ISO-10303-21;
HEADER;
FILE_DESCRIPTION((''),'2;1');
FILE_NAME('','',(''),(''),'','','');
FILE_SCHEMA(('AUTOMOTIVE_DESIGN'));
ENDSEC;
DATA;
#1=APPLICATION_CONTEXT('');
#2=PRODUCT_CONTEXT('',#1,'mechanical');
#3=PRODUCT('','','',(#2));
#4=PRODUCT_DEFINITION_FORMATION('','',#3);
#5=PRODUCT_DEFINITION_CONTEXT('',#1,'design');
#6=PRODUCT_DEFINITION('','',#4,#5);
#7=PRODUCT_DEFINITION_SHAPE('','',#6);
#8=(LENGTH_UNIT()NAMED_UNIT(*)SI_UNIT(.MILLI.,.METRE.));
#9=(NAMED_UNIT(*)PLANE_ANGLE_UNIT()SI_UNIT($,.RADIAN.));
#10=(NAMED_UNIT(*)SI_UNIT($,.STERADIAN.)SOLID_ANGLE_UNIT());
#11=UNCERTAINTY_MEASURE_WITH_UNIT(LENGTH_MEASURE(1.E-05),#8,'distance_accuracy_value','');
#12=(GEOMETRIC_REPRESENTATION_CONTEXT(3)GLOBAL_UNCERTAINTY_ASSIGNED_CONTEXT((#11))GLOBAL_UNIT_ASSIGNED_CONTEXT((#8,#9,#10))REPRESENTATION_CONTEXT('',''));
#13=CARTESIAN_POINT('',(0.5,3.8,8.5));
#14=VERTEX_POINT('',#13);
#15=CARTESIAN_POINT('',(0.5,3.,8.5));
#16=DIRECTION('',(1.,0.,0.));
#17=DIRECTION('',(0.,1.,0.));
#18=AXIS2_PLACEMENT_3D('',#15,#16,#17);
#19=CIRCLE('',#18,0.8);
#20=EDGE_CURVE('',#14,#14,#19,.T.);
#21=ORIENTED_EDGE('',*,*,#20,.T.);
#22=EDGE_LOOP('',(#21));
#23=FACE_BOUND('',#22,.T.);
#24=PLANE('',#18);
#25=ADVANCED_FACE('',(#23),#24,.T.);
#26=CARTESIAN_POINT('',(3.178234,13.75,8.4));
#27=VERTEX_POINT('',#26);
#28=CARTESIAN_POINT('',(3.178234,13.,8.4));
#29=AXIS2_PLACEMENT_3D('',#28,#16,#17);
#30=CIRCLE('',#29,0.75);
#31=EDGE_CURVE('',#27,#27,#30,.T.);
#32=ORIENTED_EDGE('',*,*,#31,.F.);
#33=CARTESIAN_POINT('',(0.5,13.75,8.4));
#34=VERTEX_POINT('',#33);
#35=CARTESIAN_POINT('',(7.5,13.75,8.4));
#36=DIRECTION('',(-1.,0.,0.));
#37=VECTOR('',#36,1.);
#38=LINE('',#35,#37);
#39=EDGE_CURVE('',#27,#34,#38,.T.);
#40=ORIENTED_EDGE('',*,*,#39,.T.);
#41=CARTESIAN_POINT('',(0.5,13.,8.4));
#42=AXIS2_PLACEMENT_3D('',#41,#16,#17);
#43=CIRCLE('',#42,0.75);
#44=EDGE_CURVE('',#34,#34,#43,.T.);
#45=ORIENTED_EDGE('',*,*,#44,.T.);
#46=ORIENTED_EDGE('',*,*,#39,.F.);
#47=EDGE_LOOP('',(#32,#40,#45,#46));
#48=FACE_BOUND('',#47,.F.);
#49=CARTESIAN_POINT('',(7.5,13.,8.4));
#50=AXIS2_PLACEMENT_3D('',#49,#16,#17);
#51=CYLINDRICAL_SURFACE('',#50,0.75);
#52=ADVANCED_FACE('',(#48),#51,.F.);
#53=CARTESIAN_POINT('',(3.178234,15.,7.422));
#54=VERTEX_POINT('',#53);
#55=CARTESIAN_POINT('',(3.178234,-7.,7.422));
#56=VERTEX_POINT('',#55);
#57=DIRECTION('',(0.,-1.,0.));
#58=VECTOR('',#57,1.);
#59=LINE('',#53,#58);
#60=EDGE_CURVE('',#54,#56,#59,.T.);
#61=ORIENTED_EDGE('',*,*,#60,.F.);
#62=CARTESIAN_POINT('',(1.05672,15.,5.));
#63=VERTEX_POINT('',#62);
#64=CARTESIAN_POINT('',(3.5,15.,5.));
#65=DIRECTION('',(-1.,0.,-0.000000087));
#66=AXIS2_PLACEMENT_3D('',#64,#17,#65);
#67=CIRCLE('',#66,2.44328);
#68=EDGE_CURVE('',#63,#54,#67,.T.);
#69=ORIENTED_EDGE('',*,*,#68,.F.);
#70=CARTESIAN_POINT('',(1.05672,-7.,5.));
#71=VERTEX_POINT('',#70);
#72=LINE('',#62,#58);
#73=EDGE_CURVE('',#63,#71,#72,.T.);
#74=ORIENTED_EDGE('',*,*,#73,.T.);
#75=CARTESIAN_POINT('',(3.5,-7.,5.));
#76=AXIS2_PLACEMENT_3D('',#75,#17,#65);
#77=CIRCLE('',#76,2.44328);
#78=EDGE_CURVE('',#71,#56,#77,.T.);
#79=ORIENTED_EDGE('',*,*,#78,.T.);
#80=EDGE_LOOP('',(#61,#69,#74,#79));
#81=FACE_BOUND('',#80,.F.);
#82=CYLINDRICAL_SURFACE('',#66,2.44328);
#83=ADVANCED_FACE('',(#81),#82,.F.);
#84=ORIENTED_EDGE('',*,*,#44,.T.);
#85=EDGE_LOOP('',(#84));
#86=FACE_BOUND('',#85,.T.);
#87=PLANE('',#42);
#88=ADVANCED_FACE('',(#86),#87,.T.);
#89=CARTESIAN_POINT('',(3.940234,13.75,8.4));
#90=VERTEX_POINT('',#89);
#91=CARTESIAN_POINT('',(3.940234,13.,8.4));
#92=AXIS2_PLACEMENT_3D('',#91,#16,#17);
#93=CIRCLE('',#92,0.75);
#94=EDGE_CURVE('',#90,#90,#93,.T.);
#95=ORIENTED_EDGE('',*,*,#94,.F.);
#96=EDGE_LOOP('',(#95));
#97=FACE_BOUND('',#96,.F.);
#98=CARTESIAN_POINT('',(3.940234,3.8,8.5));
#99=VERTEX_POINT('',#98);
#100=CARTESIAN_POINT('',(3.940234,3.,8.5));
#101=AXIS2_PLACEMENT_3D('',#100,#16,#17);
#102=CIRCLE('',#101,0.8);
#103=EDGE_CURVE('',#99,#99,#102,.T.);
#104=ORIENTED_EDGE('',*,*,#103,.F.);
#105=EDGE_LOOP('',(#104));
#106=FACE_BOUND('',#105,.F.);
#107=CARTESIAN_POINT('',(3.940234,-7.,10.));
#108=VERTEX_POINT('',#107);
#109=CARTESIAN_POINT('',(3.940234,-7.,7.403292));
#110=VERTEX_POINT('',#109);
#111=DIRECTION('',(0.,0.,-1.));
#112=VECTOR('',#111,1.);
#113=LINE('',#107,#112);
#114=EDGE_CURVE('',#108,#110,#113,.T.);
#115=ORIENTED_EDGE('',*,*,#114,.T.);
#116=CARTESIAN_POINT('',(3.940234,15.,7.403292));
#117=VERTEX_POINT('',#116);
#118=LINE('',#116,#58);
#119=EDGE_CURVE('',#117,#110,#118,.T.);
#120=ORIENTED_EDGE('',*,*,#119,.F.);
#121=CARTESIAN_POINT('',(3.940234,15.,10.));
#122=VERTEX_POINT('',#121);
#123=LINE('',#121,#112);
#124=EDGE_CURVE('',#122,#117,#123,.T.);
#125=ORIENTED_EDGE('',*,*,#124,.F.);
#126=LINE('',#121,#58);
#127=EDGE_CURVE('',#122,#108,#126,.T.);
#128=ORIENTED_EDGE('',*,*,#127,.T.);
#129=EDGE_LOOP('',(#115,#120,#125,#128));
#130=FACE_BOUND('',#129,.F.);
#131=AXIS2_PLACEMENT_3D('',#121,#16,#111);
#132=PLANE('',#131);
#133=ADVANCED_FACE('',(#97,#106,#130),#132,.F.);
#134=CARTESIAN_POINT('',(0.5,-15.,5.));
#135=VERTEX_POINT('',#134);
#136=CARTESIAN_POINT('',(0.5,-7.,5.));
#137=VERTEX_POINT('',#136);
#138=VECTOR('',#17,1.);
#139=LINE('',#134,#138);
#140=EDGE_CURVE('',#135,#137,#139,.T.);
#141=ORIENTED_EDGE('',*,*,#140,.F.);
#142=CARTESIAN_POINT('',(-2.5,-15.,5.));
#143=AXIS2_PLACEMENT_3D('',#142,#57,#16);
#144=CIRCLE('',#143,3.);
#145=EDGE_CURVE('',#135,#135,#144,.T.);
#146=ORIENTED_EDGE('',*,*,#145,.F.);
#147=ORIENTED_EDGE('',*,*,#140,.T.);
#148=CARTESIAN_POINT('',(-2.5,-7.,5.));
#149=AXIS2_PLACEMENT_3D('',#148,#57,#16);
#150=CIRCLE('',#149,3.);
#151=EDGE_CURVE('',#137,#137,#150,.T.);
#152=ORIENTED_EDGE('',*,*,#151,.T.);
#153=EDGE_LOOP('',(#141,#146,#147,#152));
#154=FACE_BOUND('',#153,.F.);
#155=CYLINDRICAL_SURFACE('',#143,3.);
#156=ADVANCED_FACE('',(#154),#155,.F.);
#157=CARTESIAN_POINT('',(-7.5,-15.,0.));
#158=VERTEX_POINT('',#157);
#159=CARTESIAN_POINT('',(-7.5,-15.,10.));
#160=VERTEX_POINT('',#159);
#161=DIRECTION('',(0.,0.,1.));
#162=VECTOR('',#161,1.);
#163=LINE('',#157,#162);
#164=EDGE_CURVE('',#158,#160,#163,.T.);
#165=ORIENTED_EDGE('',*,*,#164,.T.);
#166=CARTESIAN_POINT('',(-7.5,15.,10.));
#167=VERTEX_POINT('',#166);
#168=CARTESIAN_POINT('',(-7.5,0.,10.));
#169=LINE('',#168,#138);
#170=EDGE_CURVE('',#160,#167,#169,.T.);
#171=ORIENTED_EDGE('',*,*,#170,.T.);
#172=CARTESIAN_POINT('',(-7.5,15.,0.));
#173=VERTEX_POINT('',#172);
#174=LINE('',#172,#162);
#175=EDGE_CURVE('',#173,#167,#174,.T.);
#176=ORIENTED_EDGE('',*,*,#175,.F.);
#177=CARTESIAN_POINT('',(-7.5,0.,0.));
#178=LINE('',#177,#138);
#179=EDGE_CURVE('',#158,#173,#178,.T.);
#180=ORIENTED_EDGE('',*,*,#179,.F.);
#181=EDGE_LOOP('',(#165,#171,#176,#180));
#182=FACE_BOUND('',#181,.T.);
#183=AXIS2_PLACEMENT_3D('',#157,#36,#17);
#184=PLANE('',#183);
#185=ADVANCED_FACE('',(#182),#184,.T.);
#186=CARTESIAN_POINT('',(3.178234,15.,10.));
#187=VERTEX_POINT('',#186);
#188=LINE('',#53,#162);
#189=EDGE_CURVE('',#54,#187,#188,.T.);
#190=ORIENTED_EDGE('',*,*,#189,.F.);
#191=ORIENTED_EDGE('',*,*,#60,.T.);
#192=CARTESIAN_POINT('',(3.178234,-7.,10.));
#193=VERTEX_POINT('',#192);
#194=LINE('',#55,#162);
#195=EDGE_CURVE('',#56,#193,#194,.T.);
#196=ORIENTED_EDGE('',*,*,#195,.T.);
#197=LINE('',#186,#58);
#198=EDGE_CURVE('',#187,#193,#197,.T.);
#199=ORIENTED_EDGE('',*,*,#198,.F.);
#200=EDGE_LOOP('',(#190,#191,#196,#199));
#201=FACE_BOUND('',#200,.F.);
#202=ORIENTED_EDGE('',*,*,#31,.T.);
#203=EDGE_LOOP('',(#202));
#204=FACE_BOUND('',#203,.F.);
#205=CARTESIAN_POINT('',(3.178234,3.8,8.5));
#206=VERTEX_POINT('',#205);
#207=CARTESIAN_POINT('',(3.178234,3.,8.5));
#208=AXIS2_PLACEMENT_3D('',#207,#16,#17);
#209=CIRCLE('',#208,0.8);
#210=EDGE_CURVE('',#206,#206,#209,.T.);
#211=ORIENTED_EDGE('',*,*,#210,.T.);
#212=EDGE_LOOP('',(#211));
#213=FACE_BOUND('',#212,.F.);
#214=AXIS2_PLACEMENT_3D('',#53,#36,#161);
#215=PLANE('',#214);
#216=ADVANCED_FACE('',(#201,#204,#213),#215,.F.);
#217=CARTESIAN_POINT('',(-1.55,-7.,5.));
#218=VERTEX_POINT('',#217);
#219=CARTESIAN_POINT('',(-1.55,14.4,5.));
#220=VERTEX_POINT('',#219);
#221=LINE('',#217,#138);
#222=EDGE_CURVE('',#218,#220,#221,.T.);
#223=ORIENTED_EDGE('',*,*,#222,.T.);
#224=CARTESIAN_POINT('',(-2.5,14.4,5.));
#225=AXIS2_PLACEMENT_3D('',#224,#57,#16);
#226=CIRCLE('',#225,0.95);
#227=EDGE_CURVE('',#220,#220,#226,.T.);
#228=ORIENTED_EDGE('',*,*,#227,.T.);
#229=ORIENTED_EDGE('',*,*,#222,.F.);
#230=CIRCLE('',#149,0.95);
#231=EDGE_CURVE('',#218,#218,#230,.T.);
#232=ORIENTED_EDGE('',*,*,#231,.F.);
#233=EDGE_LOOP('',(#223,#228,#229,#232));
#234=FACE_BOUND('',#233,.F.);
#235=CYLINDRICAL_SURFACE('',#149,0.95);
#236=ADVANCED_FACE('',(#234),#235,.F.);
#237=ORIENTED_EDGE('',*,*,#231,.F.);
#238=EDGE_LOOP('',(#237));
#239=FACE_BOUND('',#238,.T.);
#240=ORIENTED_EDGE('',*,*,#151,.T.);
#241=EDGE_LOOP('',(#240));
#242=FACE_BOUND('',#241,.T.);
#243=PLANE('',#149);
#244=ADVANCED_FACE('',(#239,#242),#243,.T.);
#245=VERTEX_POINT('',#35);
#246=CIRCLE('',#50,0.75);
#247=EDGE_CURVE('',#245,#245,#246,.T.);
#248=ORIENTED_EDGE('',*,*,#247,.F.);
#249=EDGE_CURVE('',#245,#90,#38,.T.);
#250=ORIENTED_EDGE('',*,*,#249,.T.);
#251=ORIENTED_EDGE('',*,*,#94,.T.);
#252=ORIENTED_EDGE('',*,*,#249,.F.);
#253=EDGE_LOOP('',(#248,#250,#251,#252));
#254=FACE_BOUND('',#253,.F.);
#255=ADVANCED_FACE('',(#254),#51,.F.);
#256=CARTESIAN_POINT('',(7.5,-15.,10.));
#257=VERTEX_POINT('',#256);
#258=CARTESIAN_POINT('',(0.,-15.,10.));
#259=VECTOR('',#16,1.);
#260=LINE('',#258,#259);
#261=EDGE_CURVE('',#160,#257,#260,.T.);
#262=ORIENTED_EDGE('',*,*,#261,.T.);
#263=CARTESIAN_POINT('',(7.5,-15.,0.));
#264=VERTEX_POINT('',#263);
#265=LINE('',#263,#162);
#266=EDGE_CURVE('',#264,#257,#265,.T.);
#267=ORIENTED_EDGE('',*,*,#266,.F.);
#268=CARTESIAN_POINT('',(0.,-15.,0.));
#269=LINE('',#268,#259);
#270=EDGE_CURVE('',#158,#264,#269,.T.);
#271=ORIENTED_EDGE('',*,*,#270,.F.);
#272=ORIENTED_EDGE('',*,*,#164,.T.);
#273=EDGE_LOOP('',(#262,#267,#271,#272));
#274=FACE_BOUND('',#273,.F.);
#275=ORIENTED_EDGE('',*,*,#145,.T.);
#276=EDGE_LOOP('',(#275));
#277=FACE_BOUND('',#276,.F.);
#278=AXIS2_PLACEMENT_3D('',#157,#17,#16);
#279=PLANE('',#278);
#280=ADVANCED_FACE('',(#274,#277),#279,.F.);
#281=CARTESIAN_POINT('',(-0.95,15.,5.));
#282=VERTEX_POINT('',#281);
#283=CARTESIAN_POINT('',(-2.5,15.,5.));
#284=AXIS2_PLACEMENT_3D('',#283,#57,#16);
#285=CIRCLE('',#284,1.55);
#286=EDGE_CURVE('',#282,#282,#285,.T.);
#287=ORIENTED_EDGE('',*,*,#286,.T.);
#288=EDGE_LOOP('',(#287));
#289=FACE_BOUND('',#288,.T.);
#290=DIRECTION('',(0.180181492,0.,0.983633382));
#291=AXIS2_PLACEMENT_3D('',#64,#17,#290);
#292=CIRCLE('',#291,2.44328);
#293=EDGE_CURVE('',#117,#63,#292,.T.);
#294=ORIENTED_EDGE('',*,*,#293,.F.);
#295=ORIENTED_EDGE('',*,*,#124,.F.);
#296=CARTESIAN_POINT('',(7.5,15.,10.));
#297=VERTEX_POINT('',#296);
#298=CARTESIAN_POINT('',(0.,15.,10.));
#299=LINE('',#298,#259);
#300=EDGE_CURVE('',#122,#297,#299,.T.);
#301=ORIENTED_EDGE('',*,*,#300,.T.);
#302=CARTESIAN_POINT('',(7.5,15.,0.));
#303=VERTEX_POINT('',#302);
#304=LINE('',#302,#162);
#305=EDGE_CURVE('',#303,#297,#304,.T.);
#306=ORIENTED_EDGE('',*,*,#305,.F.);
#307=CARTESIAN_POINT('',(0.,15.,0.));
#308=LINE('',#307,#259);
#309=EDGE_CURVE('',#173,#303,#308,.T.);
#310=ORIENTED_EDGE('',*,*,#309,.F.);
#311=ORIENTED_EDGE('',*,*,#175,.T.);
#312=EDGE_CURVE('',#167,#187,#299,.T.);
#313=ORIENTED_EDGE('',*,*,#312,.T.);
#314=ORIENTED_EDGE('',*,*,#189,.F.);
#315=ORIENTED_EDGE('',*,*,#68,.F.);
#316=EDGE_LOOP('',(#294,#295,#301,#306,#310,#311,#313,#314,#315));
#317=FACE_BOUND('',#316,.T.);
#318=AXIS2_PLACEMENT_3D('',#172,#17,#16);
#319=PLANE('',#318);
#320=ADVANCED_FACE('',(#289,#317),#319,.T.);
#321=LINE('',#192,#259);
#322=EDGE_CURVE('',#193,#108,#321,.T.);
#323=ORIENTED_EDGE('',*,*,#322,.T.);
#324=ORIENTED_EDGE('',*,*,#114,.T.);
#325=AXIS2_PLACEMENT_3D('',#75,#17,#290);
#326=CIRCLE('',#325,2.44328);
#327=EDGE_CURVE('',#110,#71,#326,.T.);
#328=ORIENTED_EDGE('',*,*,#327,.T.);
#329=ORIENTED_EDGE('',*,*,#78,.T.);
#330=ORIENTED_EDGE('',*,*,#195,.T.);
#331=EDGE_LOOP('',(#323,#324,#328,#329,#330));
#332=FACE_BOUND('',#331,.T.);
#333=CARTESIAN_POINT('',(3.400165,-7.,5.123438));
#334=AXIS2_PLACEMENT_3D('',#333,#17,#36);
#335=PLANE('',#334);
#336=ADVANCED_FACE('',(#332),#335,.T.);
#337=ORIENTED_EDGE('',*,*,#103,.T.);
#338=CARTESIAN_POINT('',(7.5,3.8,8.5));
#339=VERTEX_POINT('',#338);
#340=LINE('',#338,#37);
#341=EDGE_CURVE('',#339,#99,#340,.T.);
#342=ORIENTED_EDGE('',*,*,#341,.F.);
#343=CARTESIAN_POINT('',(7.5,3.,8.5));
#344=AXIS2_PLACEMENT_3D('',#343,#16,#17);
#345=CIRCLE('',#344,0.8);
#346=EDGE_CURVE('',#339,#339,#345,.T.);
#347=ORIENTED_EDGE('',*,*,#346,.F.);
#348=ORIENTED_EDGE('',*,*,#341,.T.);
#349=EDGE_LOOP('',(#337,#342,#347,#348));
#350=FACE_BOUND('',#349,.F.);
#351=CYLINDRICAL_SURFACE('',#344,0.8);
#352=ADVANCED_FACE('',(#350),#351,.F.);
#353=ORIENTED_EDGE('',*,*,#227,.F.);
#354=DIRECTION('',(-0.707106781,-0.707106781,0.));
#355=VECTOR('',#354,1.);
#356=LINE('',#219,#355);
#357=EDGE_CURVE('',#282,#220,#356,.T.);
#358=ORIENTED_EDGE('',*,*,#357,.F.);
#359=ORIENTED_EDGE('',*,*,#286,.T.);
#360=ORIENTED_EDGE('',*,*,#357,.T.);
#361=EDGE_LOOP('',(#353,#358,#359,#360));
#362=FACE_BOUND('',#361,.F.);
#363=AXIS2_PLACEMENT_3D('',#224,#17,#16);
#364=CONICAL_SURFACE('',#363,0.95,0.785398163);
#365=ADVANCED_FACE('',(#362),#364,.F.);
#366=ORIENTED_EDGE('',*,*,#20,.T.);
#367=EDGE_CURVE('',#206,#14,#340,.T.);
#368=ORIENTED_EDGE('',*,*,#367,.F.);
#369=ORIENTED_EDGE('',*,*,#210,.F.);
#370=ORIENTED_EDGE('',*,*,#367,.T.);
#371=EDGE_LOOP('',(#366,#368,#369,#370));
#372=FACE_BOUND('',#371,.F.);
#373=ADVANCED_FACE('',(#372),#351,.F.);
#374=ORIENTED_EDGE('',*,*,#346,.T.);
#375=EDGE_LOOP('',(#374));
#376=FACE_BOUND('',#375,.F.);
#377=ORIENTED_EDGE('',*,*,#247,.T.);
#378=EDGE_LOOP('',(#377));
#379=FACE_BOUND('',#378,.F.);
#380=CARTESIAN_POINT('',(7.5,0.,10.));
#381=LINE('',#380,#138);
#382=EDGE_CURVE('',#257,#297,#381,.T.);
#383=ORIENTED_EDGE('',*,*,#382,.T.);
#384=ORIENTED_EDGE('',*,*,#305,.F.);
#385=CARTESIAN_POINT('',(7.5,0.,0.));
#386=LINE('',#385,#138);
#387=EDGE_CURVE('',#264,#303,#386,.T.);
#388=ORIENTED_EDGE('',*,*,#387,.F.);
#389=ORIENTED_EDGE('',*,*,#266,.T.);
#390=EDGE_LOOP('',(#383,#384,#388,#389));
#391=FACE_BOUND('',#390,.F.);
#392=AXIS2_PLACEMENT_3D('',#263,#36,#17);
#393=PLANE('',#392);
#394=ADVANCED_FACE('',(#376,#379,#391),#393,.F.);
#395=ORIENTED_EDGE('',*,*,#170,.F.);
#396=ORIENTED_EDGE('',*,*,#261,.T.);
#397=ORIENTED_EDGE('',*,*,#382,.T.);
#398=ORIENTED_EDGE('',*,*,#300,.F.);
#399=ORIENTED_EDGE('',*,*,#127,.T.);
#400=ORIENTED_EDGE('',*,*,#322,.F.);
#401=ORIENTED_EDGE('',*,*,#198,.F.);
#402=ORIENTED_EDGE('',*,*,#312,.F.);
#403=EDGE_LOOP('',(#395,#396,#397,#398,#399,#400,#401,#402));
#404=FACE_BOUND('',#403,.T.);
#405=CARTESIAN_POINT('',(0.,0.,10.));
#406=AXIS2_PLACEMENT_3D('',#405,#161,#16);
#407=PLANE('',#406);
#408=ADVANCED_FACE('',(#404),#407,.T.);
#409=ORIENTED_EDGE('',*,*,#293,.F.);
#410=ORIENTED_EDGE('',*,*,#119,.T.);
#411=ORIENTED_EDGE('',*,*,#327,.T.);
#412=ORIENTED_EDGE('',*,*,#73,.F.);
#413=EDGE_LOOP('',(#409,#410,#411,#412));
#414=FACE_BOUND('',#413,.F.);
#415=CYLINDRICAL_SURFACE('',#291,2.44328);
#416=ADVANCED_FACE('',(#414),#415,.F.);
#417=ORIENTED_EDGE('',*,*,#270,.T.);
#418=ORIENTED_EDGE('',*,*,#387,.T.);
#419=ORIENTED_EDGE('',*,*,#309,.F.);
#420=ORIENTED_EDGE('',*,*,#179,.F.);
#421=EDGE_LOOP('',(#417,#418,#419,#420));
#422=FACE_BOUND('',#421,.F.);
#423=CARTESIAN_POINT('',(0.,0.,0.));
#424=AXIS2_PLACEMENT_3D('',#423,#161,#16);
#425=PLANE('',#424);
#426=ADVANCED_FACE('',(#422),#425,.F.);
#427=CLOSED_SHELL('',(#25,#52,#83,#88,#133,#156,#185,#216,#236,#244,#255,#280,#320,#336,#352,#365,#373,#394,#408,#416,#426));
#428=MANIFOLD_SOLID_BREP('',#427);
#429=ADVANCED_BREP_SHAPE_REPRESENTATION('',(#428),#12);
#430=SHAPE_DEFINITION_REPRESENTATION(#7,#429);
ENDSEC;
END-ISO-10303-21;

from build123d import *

# Parameters (mm, degrees)
F0_W     = 15
F0_H     = 30
F1_DEPTH = 10
F3_DEPTH = 22
F4_R     = 0.75
F4_R_2   = 0.8
F5_DEPTH = 7
F6_R     = 3
F7_DEPTH = 8
F8_R     = 0.95
F9_DEPTH = 25.4
F10_SIZE = 0.6


with BuildPart() as f1:
    # F0 (on Top) → F1 (new body)
    with BuildSketch(Plane.XY):
        Rectangle(F0_W, F0_H)
    extrude(amount=F1_DEPTH)

    # F2 (on face) → F3 (cut)
    with BuildSketch(Plane(origin=(0, 15, 0), x_dir=(-1, 0, 0), z_dir=(0, 1, 0))):
        with BuildLine():
            ThreePointArc((-3.940234, 7.403292), (-5.06429, 3.123137), (-1.05672, 5))
            ThreePointArc((-1.05672, 5), (-1.662096, 6.609884), (-3.178234, 7.422))
            ThreePointArc((-3.178234, 7.422), (-3.559968, 7.442544), (-3.940234, 7.403292))
        make_face()
        with BuildLine():
            ThreePointArc((-3.940234, 7.403292), (-3.559968, 7.442544), (-3.178234, 7.422))
            Line((-3.178234, 7.422), (-3.178234, 10))
            Line((-3.178234, 10), (-3.940234, 10))
            Line((-3.940234, 10), (-3.940234, 7.403292))
        make_face()
    extrude(amount=-F3_DEPTH, mode=Mode.SUBTRACT)

    # F4 (on face) → F5 (cut)
    with BuildSketch(Plane.YZ.offset(7.5)):
        with Locations((13, 8.4)):
            Circle(F4_R)
        with Locations((3, 8.5)):
            Circle(F4_R_2)
    extrude(amount=-F5_DEPTH, mode=Mode.SUBTRACT)

    # F6 (on face) → F7 (cut)
    with BuildSketch(Plane.XZ.offset(15)):
        with Locations((-2.5, 5)):
            Circle(F6_R)
    extrude(amount=-F7_DEPTH, mode=Mode.SUBTRACT)

    # F8 (on face) → F9 (cut)
    with BuildSketch(Plane.XZ.offset(7)):
        with Locations((-2.5, 5)):
            Circle(F8_R)
    extrude(amount=-F9_DEPTH, mode=Mode.SUBTRACT)

    # F10
    f10_edges = [f1.edges().sort_by_distance(p)[0] for p in [
        (-3.45, 15, 5),
    ]]
    chamfer(f10_edges, length=F10_SIZE)


solid = f1.part
